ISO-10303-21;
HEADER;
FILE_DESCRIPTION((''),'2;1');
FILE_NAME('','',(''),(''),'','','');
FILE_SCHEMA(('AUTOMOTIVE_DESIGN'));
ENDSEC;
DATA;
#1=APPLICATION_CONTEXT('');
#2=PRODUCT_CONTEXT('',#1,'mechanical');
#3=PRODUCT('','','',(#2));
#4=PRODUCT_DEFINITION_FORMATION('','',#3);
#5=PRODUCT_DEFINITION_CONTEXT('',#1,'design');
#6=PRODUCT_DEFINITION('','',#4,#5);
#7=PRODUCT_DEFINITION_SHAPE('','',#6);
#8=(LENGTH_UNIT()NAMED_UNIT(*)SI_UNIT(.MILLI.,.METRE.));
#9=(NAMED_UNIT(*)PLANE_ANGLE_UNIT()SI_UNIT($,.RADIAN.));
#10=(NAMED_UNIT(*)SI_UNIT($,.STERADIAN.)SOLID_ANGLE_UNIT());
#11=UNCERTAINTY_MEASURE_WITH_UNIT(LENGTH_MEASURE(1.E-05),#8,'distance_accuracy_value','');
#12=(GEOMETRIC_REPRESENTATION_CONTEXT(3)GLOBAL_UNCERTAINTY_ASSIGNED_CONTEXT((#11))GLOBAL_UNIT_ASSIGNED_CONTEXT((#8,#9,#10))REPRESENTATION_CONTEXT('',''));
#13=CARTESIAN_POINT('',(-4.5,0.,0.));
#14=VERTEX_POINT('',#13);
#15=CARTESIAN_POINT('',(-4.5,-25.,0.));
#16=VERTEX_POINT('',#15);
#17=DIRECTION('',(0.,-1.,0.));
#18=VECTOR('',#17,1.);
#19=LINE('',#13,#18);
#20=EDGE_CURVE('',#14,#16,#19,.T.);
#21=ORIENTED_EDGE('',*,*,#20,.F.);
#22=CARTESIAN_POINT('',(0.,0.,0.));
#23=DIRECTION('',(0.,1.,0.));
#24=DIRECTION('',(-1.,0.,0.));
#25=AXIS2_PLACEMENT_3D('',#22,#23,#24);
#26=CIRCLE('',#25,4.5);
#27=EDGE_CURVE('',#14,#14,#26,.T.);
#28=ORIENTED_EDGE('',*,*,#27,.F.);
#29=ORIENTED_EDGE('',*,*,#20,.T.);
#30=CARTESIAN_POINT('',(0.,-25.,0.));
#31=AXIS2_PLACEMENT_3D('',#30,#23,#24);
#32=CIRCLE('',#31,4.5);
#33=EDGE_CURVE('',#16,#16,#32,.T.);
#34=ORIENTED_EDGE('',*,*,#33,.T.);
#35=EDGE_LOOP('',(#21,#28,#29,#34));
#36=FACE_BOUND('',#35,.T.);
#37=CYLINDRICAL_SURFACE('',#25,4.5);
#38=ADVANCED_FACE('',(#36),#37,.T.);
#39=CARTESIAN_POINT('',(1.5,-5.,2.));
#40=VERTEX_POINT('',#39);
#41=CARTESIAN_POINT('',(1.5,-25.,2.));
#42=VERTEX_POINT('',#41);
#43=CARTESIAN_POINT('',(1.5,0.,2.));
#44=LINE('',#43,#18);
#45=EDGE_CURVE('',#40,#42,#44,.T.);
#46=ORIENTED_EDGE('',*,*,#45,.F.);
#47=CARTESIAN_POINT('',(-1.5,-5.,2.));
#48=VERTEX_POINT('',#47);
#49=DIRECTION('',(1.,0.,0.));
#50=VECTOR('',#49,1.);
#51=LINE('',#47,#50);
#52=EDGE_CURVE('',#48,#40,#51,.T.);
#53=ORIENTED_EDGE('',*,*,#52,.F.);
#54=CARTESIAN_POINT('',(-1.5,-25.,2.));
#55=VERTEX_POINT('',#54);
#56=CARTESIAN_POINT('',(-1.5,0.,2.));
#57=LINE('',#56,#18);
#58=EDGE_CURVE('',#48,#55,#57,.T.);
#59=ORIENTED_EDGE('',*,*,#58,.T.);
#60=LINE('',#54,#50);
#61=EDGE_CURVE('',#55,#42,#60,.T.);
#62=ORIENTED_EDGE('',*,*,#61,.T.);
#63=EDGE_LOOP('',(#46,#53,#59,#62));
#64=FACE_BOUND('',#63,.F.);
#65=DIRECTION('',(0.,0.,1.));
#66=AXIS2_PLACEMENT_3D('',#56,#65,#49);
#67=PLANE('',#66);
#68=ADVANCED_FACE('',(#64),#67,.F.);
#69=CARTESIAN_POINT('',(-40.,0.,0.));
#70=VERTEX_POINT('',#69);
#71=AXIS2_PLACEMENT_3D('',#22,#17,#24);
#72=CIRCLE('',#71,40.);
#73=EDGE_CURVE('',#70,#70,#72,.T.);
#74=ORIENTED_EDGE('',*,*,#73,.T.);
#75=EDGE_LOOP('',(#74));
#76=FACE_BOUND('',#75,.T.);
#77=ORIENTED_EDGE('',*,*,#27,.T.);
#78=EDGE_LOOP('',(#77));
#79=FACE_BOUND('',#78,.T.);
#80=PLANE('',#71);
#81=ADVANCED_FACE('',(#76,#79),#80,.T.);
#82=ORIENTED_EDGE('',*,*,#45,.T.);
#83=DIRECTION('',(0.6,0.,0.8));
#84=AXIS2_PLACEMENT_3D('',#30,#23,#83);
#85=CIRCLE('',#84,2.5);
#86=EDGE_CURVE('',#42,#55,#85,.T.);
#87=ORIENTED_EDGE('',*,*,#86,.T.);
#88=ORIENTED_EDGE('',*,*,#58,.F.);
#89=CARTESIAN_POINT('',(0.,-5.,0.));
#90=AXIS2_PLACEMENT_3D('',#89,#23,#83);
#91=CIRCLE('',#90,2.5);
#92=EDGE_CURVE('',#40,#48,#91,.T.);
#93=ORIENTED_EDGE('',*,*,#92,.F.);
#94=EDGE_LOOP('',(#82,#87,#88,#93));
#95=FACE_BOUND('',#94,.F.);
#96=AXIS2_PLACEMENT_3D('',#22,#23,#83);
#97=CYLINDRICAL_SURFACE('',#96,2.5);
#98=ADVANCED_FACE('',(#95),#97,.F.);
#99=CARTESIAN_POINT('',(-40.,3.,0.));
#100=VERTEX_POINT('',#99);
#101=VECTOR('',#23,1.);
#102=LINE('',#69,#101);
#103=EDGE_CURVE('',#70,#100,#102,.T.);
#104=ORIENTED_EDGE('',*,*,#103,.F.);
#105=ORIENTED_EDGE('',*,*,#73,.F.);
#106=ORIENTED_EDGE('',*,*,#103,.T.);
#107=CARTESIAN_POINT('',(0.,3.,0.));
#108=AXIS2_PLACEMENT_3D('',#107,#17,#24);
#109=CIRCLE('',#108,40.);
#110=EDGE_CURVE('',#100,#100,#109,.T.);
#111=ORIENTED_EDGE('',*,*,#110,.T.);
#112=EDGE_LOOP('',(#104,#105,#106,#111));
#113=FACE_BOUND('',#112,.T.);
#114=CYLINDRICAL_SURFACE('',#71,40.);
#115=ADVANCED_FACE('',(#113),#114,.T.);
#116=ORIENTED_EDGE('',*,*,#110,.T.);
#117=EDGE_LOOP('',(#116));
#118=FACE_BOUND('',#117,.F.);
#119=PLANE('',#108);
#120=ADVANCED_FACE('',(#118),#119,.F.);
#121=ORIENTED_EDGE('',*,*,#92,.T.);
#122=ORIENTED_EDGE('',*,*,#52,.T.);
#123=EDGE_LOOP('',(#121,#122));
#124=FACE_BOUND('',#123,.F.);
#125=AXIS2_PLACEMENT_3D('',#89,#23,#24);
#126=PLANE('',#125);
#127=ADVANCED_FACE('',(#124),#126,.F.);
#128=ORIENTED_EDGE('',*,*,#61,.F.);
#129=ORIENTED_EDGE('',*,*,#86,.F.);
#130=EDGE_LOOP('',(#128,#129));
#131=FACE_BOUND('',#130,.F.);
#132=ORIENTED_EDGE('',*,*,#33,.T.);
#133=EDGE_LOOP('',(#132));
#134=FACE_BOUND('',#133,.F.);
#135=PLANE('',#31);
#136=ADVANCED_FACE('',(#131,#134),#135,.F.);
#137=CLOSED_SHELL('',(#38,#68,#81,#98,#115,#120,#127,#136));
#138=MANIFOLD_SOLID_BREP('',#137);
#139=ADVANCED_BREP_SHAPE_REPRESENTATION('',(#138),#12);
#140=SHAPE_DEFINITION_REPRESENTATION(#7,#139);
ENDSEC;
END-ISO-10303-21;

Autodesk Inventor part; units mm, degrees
ref_plane "YZ Plane" through (0, 0, 0) normal (1, 0, 0) x (0, 1, 0)
ref_plane "XZ Plane" through (0, 0, 0) normal (0, 1, 0) x (-1, 0, 0)
ref_plane "XY Plane" through (0, 0, 0) normal (0, 0, 1) x (1, 0, 0)
sketch "Sketch1" plane through (0, 0, 0) normal (0, 1, 0) x (-1, 0, 0)
  circle A0 centre (0, 0) radius 4.5
  arc A1 (-1.5, 2) -> (1.5, 2) centre (0, 0) ccw
  line L0 (1.5, 2) -> (-1.5, 2)
  arc A2 (1.5, 2) -> (-1.5, 2) centre (0, 0) ccw construction
  dimension "d0" = 5
  dimension "d1" = 9
  dimension "d4" = 3
extrude "Extrusion1" add sketch "Sketch1" against normal blind 25
sketch "Sketch2" plane through (0, 0, 0) normal (0, -1, 0) x (-1, 0, 0)
  circle A0 centre (0, 0) radius 40
  dimension "d5" = 80
extrude "Extrusion2" add sketch "Sketch2" against normal blind 3
extrude "Extrusion3" add sketch "Sketch1" against normal blind 5 contours L0 A1
properties part number "Soporte_mesa"
